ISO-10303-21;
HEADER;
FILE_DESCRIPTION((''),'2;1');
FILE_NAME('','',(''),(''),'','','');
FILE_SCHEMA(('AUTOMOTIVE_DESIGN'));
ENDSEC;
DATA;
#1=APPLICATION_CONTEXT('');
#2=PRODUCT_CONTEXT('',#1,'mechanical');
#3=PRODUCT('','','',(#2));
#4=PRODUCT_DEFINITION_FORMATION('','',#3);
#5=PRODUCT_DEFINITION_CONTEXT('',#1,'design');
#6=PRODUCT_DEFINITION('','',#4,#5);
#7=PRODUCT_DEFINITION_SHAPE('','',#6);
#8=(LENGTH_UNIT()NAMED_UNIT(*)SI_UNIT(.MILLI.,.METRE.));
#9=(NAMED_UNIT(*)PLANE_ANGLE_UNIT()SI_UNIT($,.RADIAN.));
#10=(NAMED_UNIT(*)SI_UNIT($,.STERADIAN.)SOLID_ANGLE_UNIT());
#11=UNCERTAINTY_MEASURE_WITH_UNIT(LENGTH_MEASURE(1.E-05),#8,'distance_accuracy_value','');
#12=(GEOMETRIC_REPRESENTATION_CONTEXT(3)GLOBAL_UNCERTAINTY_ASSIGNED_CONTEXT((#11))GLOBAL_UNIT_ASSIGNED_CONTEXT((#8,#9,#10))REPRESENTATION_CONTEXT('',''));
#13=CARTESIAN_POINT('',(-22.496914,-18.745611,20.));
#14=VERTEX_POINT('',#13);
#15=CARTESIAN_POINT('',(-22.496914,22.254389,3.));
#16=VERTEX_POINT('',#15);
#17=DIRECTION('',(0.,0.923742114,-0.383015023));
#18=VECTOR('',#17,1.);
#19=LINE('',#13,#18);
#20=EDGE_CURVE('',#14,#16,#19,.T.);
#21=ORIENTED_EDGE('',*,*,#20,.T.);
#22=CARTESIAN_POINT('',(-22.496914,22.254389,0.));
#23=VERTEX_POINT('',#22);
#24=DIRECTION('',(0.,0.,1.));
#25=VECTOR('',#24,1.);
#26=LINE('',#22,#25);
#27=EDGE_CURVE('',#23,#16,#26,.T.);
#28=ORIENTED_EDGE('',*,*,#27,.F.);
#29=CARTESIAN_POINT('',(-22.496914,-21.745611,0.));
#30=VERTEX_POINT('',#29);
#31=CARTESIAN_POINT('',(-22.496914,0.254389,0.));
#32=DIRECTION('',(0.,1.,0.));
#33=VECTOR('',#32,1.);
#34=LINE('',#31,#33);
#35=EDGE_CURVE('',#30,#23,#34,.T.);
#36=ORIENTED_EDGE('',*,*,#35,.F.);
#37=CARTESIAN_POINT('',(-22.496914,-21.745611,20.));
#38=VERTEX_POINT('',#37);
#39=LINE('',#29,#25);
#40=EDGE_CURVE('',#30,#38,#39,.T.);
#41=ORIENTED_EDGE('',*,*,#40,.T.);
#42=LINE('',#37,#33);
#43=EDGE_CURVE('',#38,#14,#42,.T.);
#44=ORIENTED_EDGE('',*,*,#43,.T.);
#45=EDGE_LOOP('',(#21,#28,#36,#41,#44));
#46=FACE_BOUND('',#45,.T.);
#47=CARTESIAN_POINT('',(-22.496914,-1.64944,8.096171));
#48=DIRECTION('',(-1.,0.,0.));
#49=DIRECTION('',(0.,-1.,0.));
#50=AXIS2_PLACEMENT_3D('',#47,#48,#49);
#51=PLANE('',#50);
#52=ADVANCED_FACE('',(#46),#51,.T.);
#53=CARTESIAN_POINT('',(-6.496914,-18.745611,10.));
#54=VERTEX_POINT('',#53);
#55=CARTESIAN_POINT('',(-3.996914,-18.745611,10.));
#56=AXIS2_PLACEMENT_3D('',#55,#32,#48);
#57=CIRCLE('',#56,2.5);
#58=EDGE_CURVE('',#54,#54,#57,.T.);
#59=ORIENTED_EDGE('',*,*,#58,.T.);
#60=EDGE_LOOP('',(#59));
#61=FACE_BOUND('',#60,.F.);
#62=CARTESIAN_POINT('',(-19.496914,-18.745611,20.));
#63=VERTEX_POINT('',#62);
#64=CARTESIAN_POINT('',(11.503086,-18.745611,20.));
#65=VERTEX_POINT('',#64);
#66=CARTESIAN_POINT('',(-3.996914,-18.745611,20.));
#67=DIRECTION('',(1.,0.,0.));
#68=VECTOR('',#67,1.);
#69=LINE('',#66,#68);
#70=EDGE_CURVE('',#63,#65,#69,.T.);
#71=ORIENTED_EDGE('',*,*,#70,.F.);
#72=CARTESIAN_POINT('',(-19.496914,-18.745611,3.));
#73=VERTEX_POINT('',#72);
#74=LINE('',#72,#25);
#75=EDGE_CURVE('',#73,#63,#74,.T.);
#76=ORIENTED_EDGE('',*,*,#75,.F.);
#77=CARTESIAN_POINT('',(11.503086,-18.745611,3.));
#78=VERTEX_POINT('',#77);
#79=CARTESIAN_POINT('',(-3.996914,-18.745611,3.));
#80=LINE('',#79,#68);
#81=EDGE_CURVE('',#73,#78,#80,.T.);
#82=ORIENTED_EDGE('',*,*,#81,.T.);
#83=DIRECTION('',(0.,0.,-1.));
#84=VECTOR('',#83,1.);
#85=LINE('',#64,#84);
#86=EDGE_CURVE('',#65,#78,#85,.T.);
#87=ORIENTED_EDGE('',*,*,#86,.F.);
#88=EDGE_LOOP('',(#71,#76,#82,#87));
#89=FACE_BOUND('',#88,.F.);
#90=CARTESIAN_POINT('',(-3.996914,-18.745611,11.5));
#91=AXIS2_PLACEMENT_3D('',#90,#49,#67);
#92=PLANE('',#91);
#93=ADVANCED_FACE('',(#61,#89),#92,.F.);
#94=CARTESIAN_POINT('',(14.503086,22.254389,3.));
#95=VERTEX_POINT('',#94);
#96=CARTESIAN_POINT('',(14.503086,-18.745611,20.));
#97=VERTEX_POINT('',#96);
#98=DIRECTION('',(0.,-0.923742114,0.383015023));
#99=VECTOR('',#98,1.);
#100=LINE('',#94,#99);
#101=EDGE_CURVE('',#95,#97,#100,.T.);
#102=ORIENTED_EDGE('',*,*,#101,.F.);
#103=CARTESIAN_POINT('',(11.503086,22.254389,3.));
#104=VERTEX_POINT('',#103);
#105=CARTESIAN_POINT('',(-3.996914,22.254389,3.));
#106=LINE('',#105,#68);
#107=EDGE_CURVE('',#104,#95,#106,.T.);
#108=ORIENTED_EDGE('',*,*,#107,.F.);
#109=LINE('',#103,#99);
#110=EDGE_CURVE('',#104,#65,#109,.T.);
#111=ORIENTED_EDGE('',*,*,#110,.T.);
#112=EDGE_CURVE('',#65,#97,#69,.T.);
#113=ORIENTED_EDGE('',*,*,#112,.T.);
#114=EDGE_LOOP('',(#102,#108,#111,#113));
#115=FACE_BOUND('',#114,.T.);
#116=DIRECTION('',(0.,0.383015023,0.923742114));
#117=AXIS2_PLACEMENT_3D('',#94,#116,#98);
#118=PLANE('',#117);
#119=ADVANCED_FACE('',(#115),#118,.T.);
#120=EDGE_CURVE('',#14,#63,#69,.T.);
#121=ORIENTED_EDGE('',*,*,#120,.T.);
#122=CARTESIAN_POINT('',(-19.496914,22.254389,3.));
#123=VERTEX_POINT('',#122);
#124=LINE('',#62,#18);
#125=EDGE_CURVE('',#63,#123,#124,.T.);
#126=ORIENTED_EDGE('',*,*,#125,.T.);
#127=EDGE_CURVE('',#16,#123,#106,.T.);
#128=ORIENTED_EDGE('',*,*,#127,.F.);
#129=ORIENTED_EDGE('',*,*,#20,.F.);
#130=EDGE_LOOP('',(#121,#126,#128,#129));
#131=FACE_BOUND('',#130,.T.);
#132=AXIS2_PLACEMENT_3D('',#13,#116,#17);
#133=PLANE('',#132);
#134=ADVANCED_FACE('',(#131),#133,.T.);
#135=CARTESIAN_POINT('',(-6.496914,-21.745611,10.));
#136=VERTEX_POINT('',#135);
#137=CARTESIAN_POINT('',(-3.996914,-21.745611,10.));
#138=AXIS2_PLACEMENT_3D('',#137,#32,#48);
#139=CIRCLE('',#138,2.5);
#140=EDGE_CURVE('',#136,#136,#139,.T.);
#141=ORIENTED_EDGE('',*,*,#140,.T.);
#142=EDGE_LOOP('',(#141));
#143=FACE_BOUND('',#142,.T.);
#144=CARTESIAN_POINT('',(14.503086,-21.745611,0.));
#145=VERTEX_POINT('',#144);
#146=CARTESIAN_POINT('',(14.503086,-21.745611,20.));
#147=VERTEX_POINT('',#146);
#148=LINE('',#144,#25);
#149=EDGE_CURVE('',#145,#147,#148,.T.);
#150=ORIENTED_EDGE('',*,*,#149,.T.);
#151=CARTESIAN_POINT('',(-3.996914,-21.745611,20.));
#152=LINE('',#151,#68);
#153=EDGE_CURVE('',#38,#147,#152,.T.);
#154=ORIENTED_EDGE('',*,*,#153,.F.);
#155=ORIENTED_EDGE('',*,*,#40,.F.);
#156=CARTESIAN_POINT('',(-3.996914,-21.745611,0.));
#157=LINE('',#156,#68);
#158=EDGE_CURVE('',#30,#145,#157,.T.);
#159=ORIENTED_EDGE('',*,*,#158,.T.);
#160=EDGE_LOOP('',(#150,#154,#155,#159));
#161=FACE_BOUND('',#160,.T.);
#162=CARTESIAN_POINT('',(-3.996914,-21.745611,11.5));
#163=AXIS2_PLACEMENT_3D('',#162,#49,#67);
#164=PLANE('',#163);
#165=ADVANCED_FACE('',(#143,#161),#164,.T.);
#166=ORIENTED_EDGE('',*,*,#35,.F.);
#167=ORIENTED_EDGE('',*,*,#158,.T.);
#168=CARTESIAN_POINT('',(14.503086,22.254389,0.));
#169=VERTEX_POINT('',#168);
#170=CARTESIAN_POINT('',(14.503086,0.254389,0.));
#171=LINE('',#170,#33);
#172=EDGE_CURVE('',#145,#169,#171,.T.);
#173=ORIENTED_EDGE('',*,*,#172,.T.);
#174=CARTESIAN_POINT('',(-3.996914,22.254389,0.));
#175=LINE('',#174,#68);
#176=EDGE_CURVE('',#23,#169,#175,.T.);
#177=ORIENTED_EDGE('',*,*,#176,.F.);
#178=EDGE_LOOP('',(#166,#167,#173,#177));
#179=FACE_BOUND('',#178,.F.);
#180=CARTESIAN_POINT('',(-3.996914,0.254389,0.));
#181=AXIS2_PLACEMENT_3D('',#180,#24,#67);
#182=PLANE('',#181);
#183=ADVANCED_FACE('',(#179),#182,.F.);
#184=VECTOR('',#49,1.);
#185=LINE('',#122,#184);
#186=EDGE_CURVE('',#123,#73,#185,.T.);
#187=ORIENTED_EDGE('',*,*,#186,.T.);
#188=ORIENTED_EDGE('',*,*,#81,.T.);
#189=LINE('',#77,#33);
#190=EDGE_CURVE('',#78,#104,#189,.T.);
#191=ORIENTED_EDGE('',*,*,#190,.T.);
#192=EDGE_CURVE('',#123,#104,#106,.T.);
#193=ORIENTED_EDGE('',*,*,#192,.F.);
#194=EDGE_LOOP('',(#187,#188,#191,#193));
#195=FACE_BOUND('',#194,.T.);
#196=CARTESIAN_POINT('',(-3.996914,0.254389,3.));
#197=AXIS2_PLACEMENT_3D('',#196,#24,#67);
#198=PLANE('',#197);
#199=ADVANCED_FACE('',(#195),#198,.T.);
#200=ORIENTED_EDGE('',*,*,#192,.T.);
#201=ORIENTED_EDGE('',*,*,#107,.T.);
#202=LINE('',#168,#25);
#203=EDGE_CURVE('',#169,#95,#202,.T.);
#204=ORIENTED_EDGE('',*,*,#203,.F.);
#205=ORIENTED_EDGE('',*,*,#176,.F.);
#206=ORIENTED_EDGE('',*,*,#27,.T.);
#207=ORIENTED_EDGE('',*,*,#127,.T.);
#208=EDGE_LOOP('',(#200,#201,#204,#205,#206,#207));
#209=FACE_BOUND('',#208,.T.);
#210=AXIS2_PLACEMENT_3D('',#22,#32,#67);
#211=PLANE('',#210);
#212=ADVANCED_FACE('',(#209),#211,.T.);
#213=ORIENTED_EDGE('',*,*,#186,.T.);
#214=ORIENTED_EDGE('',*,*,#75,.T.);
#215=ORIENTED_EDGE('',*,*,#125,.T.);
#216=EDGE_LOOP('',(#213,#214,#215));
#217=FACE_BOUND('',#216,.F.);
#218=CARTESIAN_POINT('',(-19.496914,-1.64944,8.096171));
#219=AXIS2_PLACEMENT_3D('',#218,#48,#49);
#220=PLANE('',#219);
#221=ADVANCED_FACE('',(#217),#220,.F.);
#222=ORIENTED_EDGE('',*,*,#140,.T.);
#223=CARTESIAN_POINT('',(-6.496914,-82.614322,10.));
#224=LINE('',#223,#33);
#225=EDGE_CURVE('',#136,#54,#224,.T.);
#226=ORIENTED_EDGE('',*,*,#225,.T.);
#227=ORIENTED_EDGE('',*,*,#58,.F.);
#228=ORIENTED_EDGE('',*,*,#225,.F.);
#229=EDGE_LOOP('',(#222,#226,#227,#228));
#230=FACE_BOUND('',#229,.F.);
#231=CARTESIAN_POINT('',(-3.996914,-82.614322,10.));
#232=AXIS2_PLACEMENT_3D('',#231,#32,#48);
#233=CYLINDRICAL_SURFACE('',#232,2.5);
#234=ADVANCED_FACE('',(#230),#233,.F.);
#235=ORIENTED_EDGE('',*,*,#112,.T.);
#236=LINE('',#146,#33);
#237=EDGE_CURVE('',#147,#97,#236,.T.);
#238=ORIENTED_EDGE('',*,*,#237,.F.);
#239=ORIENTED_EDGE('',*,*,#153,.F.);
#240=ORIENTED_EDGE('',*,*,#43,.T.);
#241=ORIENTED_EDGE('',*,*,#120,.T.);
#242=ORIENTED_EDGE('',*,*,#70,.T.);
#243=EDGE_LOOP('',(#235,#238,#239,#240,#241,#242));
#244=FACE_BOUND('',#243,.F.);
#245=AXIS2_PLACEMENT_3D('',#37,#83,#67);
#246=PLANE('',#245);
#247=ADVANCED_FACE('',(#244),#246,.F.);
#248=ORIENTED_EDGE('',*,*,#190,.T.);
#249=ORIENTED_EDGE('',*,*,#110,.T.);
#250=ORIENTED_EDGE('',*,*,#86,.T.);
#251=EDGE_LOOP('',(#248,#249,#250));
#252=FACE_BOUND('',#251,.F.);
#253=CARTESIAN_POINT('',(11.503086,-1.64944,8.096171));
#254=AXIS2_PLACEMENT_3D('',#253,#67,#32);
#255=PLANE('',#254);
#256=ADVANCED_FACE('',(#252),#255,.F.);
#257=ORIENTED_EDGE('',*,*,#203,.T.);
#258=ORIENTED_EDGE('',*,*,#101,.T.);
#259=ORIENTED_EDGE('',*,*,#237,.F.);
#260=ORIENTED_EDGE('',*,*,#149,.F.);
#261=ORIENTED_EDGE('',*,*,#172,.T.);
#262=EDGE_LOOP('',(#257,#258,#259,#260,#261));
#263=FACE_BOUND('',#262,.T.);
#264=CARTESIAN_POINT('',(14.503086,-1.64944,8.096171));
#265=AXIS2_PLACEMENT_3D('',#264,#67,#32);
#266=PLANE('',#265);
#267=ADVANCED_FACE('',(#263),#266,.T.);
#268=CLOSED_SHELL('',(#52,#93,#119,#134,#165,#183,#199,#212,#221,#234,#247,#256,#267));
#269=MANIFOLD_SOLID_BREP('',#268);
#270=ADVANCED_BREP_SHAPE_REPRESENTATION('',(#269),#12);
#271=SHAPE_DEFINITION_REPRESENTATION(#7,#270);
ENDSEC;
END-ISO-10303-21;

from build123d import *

# Parameters (mm, degrees)
F0_W     = 37
F0_H     = 44
F1_DEPTH = 3
F2_W     = 37
F2_H     = 17
F3_DEPTH = 3
F5_DEPTH = 3
F7_DEPTH = 3
F9_D     = 5


with BuildPart() as f1:
    # F0 (on Top) → F1 (new body)
    with BuildSketch(Plane.XY):
        with Locations((-3.996914, 0.254389)):
            Rectangle(F0_W, F0_H)
    extrude(amount=F1_DEPTH)

    # F2 (on face) → F3 (join)
    with BuildSketch(Plane.XZ.offset(21.745611)):
        with Locations((-3.996914, 11.5)):
            Rectangle(F2_W, F2_H)
    extrude(amount=-F3_DEPTH)

    # F4 (on face) → F5 (join)
    with BuildSketch(Plane.YZ.offset(14.503086)):
        Polygon((22.254389, 3), (-18.745611, 20), (-18.745611, 3), align=None)
    extrude(amount=-F5_DEPTH)

    # F6 (on face) → F7 (join)
    with BuildSketch(Plane(origin=(-22.496914, 0, 0), x_dir=(0, -1, 0), z_dir=(-1, 0, 0))):
        Polygon((18.745611, 3), (18.745611, 20), (-22.254389, 3), align=None)
    extrude(amount=-F7_DEPTH)

    # F9 (through all)
    with Locations(Plane.XZ.offset(21.745611)):
        with Locations((-3.996914, 10)):
            Hole(F9_D / 2)


solid = f1.part
